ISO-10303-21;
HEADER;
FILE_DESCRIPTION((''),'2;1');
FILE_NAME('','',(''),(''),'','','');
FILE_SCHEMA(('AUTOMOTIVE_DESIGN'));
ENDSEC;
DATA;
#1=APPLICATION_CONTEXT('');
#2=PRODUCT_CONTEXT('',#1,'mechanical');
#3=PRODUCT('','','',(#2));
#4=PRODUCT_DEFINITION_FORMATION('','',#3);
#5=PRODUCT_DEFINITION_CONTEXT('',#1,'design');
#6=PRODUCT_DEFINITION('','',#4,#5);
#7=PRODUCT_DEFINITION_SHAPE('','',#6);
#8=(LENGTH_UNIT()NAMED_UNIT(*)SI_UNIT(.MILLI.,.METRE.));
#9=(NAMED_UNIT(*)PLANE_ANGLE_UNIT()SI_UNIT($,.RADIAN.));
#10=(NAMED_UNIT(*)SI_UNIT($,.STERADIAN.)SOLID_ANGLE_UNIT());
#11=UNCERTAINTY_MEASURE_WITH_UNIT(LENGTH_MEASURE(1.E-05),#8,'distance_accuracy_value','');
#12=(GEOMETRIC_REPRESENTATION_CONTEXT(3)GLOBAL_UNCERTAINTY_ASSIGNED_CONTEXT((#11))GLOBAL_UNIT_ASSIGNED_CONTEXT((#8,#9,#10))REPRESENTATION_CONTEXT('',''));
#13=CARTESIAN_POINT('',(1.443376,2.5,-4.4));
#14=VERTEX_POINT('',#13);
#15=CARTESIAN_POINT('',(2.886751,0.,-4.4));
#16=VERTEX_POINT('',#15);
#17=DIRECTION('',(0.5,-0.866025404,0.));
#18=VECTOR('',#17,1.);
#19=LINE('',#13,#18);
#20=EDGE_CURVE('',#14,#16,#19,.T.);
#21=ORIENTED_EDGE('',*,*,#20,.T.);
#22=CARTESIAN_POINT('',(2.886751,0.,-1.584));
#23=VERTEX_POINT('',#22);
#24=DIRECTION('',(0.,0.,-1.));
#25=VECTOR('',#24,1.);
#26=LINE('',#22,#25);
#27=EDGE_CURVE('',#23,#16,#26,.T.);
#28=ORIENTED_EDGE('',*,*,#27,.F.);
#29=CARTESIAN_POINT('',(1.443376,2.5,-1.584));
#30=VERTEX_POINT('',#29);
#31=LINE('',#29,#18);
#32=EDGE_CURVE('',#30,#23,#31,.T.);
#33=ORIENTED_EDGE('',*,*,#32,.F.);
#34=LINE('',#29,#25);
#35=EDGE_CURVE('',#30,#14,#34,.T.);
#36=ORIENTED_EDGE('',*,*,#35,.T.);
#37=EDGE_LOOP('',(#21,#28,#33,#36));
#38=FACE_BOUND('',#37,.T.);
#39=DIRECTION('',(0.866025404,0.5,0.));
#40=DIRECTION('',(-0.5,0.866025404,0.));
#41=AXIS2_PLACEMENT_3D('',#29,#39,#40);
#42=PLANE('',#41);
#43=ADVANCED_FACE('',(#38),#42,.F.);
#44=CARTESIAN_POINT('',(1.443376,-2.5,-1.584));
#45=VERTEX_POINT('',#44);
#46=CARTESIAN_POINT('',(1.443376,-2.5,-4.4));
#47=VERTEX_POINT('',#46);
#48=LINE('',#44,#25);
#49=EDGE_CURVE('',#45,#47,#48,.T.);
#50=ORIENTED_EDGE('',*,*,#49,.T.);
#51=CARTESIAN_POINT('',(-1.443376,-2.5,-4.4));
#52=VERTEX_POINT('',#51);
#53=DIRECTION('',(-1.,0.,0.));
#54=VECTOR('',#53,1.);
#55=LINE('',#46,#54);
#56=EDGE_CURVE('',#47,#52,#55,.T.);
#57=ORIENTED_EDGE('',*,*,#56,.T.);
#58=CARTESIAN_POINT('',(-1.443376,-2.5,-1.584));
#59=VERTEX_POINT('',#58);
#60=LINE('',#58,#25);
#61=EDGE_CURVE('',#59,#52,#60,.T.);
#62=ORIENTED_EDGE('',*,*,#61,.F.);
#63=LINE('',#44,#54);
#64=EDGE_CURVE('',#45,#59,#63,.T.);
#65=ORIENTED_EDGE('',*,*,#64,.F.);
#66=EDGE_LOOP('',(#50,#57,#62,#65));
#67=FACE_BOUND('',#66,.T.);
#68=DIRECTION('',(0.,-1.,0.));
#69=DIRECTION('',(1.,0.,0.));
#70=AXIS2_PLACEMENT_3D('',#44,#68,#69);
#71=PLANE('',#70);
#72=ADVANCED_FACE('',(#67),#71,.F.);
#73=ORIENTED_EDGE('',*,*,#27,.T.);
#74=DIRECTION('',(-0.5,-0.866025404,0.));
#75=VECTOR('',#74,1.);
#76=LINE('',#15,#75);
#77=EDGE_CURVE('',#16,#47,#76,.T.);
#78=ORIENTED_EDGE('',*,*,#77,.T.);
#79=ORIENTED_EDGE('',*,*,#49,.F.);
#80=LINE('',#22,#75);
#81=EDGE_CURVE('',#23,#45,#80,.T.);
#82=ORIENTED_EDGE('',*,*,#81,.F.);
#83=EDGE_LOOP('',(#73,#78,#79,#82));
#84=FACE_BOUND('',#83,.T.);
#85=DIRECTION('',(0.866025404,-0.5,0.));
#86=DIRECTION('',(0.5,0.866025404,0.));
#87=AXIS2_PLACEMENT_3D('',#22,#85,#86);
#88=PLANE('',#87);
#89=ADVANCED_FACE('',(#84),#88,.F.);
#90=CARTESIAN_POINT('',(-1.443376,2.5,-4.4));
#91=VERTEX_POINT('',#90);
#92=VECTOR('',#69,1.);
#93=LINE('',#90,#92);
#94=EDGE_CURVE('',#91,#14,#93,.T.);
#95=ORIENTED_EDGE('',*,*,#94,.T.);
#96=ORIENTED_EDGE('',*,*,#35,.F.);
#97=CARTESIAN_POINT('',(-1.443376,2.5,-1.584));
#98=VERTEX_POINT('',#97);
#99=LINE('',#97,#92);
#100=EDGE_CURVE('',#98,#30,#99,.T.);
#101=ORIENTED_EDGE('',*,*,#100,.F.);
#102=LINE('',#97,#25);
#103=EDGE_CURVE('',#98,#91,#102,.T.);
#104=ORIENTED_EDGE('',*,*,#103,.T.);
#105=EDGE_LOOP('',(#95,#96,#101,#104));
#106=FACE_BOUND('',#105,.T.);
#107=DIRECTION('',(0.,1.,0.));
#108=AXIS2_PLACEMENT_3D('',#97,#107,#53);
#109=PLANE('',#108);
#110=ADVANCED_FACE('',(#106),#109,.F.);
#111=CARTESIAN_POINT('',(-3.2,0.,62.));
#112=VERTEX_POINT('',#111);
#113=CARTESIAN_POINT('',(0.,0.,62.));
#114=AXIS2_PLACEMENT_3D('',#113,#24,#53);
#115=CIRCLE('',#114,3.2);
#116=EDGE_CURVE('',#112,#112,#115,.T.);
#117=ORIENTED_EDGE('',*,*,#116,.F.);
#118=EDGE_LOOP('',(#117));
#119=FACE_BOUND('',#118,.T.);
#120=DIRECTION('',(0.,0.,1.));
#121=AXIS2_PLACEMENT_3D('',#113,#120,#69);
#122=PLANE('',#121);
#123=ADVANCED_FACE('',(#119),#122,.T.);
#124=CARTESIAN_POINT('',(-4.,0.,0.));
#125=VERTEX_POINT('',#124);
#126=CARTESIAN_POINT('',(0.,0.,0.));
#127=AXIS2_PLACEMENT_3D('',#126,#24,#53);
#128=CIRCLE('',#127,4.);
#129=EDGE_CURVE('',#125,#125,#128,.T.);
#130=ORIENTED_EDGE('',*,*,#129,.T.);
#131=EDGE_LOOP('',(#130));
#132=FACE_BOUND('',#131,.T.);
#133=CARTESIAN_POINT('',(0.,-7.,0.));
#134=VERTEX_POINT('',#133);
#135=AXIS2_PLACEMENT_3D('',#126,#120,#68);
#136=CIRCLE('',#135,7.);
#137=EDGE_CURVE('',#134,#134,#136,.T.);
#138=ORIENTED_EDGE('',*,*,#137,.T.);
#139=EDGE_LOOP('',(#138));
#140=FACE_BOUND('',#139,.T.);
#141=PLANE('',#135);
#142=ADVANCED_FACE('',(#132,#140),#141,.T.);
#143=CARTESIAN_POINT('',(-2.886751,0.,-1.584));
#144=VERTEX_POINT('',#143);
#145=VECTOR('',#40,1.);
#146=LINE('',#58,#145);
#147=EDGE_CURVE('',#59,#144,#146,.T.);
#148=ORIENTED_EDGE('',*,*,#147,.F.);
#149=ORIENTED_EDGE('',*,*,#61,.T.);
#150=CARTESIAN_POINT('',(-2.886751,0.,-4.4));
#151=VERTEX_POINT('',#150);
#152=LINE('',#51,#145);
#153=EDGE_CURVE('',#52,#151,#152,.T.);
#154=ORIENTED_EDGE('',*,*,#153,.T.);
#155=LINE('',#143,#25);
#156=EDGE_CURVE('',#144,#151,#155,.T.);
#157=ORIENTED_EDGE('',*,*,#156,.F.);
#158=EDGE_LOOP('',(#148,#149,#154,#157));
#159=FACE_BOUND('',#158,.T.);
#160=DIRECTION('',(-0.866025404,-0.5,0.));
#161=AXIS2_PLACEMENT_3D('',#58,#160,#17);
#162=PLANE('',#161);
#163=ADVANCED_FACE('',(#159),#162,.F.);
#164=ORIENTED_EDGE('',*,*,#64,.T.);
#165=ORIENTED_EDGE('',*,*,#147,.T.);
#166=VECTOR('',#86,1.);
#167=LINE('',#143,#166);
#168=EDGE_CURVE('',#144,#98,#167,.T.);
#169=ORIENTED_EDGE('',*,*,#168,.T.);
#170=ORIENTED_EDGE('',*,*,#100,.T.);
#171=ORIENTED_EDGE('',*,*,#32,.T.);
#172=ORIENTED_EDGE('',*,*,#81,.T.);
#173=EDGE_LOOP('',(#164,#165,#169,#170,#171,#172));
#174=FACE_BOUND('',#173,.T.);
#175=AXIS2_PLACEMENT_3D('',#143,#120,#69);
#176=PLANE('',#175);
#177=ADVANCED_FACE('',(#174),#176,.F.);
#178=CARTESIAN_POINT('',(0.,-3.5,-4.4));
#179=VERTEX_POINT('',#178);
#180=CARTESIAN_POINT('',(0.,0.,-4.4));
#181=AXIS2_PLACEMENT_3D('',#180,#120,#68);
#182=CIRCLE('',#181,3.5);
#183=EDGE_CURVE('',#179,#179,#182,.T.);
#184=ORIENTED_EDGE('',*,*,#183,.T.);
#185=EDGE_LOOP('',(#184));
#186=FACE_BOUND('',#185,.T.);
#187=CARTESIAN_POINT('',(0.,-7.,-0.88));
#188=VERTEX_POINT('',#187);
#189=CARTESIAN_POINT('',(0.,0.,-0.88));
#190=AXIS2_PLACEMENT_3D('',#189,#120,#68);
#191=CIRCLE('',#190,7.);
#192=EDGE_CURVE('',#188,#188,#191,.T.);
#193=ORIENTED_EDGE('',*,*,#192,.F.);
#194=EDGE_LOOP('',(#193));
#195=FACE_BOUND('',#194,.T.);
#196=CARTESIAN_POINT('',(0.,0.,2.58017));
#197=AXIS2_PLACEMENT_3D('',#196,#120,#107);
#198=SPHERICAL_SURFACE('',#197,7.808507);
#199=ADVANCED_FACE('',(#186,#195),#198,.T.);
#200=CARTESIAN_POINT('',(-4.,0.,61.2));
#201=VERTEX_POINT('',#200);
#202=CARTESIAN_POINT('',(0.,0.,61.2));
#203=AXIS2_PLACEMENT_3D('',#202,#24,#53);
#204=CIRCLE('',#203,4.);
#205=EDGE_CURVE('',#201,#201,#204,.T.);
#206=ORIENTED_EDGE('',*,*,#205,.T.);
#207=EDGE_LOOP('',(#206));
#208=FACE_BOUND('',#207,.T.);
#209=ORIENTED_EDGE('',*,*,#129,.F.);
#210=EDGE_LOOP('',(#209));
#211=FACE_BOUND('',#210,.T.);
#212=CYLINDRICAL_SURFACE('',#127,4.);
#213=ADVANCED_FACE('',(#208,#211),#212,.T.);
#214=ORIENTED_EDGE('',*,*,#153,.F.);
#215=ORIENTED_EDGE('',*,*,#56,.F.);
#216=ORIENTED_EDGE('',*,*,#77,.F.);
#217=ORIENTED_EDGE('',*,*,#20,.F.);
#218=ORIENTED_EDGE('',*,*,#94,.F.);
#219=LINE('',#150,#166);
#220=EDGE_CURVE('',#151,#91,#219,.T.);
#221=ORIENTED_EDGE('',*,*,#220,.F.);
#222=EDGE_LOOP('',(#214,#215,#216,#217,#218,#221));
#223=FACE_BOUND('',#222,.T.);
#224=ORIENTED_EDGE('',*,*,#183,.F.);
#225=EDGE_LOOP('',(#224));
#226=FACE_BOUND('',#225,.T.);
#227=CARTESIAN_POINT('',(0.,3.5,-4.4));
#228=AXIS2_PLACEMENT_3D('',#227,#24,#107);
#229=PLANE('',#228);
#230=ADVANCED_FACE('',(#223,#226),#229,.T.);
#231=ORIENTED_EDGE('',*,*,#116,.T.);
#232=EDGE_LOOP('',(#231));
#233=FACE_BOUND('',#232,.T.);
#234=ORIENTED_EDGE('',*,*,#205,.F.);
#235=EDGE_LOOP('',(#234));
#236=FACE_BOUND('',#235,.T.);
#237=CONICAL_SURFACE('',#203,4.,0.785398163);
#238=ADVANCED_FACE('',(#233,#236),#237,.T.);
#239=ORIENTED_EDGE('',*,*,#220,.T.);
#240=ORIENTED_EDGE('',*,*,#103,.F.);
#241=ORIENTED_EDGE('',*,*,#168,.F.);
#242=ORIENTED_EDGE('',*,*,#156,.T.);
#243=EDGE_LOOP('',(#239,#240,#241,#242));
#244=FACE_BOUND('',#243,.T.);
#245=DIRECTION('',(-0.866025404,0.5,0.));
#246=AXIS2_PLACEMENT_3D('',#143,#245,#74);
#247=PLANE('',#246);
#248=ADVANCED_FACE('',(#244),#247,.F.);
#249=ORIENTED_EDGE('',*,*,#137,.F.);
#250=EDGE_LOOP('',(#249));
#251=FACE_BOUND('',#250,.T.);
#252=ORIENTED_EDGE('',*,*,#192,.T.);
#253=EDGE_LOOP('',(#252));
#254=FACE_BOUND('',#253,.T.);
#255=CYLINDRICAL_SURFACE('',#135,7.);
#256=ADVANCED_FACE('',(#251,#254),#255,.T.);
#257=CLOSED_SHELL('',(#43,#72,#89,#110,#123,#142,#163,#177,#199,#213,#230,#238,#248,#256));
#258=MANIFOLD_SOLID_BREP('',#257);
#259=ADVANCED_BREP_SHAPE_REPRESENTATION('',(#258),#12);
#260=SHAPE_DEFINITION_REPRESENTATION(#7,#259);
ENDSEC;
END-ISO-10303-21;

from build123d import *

# Parameters (mm, degrees)
HEX_2_DEPTH = 2.816


with BuildPart() as part:
    # sk3 → br (revolve)
    with BuildSketch(Plane(origin=(0, 0, 0), x_dir=(0, 0, -1), z_dir=(1, 0, 0)), mode=Mode.PRIVATE) as br_sk:
        Polygon((-62, 3.2), (-61.2, 4), (0, 4), (0, 0), (-62, 0), align=None)
    revolve(br_sk.sketch.rotate(Axis((0, 0, 0), (0, 0, -1)), 270), axis=Axis((0, 0, 0), (0, 0, -1)))  # turned: the seam where the file's is

    # sk1 → hd (revolve)
    with BuildSketch(Plane.ZY, mode=Mode.PRIVATE) as hd_sk:
        with BuildLine():
            Line((0, 0), (0, 7))
            Line((0, 7), (-0.88, 7))
            ThreePointArc((-0.88, 7), (-2.92552474, 5.53715631), (-4.4, 3.5))
            Line((-4.4, 3.5), (-4.4, 0))
            Line((-4.4, 0), (0, 0))
        make_face()
    revolve(hd_sk.sketch.rotate(Axis((0, 0, 0), (0, 0, -1)), 270), axis=Axis((0, 0, 0), (0, 0, -1)))  # turned: the seam where the file's is

    # sk2 → hex 2 (cut)
    with BuildSketch(Plane(origin=(0, 0, -4.4), x_dir=(-1, 0, 0), z_dir=(0, 0, -1))):
        Polygon((1.443375673, 2.5), (-1.443375673, 2.5), (-2.886751346, 0), (-1.443375673, -2.5), (1.443375673, -2.5), (2.886751346, 0), align=None)
    extrude(amount=-HEX_2_DEPTH, mode=Mode.SUBTRACT)


solid = part.part
